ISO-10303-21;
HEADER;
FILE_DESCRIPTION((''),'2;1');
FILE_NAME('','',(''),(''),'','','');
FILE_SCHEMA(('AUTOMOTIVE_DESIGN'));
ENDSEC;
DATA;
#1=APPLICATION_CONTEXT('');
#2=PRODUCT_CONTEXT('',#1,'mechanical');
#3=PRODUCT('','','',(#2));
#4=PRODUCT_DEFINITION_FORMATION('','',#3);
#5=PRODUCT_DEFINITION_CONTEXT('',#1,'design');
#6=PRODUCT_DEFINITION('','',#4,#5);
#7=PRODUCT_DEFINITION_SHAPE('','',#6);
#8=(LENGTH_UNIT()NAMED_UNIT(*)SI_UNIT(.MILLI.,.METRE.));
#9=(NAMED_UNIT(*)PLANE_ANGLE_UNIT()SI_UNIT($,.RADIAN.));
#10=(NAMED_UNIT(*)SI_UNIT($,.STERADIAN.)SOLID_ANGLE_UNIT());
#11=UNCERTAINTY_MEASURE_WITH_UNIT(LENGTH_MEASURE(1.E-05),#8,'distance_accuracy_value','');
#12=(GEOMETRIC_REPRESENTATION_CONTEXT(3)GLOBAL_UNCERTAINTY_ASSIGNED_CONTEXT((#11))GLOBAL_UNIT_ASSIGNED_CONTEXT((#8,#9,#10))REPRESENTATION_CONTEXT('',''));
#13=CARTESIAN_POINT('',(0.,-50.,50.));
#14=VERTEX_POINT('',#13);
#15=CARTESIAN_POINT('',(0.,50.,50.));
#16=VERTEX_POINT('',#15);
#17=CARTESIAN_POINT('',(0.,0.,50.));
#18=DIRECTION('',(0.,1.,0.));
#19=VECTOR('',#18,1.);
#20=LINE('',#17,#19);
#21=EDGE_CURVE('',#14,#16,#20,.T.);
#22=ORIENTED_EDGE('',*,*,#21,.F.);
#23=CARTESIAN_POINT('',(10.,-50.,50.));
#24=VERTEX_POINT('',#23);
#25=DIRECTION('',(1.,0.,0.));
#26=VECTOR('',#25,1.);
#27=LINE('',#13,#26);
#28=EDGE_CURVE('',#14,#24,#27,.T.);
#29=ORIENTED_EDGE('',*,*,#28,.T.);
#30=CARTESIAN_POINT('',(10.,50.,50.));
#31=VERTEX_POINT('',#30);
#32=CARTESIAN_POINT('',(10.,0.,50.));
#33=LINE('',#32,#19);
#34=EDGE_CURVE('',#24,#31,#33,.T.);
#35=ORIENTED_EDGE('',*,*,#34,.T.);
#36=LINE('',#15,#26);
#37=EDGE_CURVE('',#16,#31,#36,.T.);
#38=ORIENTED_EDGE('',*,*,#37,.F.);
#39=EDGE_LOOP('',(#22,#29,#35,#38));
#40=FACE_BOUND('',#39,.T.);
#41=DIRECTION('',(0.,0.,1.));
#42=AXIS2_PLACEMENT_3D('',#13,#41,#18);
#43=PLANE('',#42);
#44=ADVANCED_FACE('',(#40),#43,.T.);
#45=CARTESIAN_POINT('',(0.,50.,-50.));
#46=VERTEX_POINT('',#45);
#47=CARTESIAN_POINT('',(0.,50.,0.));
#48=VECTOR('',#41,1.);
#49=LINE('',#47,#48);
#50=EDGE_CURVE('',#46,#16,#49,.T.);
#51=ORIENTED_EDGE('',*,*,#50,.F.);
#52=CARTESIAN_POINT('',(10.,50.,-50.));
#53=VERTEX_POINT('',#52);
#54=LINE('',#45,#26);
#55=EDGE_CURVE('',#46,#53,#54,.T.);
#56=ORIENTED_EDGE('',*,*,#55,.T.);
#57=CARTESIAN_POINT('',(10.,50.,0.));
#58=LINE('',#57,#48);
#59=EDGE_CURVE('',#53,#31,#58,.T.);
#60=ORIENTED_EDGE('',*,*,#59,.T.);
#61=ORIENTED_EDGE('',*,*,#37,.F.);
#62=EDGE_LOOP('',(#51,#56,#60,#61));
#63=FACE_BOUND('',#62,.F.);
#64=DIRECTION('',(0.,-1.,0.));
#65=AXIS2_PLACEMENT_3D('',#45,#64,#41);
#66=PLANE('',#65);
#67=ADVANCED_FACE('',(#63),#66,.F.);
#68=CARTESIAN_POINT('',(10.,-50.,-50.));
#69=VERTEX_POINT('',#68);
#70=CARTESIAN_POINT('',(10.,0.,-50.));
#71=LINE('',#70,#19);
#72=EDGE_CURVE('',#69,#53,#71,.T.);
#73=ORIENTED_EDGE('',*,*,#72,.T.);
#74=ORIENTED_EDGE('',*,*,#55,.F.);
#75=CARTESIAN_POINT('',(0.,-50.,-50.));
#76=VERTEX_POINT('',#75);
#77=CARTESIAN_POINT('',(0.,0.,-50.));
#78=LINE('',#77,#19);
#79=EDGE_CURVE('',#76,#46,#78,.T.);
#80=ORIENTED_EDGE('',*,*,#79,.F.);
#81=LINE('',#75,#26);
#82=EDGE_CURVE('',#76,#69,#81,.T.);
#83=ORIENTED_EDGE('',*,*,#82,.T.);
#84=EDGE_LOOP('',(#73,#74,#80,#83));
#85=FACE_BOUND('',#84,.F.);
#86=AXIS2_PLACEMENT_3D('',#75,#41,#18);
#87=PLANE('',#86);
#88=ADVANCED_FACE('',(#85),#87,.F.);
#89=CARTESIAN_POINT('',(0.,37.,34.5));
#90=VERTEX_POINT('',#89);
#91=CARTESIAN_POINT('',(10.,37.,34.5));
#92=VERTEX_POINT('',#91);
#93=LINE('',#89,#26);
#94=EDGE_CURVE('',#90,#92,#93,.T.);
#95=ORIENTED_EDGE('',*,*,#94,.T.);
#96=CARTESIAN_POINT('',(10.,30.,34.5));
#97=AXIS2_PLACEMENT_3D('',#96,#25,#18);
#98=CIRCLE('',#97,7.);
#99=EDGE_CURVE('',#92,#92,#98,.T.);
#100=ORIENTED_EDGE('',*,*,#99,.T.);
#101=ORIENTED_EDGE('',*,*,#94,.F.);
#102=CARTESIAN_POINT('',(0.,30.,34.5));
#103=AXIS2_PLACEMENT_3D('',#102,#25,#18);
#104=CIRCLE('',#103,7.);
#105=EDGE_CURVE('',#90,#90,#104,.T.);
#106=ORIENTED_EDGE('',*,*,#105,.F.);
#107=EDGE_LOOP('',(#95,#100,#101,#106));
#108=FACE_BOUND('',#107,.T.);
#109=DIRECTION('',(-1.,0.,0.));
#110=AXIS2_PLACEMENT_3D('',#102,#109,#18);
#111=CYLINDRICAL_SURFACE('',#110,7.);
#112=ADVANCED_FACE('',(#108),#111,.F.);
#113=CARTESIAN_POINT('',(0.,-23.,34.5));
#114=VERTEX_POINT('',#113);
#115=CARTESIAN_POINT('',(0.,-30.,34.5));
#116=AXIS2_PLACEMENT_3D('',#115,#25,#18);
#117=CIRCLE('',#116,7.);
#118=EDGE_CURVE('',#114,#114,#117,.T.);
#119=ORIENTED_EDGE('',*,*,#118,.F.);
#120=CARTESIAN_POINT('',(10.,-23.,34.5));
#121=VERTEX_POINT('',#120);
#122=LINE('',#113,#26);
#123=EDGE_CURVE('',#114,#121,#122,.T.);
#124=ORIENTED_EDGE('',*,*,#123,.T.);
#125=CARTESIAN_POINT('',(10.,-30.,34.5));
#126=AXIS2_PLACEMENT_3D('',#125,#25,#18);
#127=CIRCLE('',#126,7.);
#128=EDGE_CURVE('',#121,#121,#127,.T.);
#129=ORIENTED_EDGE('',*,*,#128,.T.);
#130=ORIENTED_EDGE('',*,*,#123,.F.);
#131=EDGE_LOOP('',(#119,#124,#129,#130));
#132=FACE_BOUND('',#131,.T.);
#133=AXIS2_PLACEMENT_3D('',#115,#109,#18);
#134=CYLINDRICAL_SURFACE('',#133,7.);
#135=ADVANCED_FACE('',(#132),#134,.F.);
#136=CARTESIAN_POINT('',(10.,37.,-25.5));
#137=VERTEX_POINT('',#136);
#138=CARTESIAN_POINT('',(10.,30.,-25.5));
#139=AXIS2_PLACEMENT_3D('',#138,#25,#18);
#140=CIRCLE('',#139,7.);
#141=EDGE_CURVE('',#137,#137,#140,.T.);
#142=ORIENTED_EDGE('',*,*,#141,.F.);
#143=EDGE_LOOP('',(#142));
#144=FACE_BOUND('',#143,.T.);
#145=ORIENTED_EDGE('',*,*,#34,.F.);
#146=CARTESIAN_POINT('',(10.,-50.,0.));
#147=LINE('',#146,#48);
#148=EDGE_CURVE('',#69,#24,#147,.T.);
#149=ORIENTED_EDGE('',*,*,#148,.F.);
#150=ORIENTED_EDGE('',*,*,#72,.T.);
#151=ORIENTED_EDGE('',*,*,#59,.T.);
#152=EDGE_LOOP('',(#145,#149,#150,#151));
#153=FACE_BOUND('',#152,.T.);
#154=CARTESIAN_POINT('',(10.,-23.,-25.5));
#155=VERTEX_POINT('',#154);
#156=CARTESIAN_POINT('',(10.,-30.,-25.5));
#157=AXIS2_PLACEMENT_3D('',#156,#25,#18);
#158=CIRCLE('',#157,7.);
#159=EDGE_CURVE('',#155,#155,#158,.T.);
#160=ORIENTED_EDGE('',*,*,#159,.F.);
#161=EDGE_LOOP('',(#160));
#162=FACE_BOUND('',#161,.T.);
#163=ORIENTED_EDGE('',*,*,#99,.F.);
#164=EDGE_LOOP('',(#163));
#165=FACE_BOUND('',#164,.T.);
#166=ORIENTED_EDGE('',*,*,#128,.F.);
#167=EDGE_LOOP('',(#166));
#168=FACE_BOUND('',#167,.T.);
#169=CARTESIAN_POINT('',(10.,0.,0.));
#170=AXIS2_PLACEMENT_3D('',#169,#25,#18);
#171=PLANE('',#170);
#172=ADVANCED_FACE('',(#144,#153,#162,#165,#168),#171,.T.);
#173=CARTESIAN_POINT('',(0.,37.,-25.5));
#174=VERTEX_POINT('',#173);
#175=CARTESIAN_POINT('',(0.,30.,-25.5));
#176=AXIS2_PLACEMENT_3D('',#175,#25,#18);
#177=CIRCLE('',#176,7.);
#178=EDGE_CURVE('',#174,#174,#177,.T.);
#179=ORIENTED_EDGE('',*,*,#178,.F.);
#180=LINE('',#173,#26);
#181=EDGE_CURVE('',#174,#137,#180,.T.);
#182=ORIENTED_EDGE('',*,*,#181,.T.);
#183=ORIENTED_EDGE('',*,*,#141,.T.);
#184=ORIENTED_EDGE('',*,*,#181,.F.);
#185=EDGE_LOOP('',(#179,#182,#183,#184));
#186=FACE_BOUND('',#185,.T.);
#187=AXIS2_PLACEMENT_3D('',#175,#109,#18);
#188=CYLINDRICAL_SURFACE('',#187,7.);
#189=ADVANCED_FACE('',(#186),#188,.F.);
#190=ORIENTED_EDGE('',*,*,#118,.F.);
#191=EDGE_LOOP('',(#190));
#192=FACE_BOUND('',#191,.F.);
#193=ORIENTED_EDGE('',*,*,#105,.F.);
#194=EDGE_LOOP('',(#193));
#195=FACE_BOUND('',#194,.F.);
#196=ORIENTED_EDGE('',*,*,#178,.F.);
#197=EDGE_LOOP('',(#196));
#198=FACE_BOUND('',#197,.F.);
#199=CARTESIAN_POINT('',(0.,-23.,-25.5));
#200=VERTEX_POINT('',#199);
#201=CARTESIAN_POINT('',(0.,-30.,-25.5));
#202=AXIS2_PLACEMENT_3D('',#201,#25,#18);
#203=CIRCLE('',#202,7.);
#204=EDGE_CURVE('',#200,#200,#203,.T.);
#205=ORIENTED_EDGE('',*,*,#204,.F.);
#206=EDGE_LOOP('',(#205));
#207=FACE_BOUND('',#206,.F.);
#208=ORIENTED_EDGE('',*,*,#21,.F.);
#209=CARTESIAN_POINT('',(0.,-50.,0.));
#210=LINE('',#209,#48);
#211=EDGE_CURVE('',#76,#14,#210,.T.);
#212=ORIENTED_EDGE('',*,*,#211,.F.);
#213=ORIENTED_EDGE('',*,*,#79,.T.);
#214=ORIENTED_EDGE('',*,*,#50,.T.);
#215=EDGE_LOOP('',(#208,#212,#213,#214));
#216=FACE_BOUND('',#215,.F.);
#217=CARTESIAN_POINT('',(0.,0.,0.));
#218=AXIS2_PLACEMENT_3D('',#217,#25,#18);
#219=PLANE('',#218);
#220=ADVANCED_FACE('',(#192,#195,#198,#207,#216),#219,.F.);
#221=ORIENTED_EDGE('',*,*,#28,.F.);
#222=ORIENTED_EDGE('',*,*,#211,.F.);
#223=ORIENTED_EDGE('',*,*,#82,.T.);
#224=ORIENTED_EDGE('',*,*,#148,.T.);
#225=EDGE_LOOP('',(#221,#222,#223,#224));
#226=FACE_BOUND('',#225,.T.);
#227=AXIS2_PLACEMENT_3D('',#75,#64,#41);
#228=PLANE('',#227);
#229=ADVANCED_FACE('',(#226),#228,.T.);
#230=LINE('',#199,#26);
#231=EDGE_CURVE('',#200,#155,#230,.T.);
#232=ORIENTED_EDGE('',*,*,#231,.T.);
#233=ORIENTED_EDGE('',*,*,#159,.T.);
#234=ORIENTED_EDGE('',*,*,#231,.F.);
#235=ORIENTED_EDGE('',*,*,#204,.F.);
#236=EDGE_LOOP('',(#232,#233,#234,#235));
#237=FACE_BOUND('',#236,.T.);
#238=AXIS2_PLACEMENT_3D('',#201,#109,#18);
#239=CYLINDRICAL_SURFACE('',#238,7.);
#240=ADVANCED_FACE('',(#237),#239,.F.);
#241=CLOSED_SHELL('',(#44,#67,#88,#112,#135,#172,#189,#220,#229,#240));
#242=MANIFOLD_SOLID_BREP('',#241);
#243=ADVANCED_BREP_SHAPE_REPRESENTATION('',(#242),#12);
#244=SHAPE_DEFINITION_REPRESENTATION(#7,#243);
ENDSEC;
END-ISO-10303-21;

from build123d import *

# Parameters (mm, degrees)
F0_W     = 100
F0_H     = 100
F0_R     = 7
F1_DEPTH = 10


with BuildPart() as f1:
    # F0 (on Right) → F1 (new body)
    with BuildSketch(Plane.YZ):
        Rectangle(F0_W, F0_H)
        with Locations((-30, -25.5)):
            Circle(F0_R, mode=Mode.SUBTRACT)
        with Locations((30, -25.5)):
            Circle(F0_R, mode=Mode.SUBTRACT)
        with Locations((-30, 34.5)):
            Circle(F0_R, mode=Mode.SUBTRACT)
        with Locations((30, 34.5)):
            Circle(F0_R, mode=Mode.SUBTRACT)
    extrude(amount=F1_DEPTH)


solid = f1.part
